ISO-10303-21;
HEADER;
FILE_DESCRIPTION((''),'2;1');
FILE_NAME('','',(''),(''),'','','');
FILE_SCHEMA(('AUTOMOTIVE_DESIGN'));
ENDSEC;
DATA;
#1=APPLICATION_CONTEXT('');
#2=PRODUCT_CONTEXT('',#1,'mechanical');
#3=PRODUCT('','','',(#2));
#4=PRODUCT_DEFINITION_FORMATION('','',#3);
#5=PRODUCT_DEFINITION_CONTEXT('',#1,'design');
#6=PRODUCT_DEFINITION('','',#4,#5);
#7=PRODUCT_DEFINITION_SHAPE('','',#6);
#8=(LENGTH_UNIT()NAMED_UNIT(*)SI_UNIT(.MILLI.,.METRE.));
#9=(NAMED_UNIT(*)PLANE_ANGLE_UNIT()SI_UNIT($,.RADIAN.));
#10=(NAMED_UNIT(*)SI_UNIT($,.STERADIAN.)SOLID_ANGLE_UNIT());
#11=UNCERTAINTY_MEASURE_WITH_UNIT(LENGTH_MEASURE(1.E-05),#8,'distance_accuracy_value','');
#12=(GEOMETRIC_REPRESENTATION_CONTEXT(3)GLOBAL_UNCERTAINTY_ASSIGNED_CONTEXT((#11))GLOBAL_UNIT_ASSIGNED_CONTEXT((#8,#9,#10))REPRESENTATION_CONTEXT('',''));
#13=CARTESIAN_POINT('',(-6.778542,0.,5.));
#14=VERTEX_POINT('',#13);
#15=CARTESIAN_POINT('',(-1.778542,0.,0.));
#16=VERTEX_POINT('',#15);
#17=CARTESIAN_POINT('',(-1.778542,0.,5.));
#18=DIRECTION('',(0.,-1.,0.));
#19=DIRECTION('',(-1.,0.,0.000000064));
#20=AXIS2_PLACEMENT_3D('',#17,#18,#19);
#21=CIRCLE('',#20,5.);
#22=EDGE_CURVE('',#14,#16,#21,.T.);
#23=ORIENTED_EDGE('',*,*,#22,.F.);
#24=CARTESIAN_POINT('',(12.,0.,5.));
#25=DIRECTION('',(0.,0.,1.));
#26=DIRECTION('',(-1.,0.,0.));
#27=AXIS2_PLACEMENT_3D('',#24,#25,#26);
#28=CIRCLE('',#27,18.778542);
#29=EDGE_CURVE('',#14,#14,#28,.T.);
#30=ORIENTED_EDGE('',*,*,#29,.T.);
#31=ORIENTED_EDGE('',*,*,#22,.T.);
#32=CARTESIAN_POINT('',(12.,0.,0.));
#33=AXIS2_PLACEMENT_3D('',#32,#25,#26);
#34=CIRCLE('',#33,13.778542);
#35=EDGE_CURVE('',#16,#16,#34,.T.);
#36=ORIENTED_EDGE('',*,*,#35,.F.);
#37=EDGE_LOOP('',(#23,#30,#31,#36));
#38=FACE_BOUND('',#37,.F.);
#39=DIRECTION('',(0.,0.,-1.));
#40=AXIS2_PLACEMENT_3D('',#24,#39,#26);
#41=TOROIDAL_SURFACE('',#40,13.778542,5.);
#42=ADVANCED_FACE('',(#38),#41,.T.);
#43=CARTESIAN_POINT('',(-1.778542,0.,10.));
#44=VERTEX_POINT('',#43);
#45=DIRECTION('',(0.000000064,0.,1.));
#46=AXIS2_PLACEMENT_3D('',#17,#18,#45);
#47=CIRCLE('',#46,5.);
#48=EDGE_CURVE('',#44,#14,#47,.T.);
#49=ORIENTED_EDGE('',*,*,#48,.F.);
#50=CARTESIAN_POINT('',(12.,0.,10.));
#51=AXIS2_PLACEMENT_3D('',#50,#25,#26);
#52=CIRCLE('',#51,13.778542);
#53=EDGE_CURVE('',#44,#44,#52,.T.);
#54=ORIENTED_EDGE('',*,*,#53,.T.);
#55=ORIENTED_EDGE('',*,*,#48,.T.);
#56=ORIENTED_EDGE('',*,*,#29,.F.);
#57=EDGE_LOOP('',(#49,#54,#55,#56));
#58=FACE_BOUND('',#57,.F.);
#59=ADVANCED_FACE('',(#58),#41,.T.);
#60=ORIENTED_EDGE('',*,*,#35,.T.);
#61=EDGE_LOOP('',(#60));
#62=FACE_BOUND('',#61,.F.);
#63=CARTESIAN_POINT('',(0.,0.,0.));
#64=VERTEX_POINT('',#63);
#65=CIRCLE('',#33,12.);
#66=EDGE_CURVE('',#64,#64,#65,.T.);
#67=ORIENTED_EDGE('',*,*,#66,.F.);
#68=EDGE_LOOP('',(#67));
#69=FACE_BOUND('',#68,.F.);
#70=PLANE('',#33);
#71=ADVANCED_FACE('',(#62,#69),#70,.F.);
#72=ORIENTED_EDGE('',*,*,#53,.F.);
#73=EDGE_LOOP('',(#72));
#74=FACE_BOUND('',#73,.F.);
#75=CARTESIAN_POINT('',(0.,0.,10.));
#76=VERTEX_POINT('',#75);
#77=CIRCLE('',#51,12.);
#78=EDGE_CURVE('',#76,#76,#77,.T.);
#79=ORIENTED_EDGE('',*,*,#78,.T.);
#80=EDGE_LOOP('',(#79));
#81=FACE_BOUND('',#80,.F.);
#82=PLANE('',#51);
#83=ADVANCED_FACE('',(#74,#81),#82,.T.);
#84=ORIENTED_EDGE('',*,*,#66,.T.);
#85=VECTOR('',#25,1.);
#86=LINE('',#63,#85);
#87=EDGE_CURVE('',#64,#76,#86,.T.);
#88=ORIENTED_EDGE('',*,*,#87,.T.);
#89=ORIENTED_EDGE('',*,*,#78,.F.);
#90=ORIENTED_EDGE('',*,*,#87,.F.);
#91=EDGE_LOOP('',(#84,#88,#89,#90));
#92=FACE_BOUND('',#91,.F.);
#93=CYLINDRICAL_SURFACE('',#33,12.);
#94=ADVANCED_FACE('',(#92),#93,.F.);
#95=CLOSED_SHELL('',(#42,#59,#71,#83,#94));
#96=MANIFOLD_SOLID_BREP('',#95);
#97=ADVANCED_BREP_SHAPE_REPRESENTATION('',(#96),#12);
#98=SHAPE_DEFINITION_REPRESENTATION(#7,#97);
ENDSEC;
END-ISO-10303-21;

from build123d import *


with BuildPart() as f1:
    # F0 (on Front) → F1 (revolve)
    with BuildSketch(Plane.XZ):
        with BuildLine():
            Line((-1.778542, 0), (0, 0))
            Line((0, 0), (0, 10))
            Line((0, 10), (-1.778542, 10))
            ThreePointArc((-1.778542, 10), (-5.314076, 8.535534), (-6.778542, 5))
            ThreePointArc((-6.778542, 5), (-5.314076, 1.464466), (-1.778542, 0))
        make_face()
    revolve(axis=Axis((12, 0, 5), (0, 0, 1)))


solid = f1.part
